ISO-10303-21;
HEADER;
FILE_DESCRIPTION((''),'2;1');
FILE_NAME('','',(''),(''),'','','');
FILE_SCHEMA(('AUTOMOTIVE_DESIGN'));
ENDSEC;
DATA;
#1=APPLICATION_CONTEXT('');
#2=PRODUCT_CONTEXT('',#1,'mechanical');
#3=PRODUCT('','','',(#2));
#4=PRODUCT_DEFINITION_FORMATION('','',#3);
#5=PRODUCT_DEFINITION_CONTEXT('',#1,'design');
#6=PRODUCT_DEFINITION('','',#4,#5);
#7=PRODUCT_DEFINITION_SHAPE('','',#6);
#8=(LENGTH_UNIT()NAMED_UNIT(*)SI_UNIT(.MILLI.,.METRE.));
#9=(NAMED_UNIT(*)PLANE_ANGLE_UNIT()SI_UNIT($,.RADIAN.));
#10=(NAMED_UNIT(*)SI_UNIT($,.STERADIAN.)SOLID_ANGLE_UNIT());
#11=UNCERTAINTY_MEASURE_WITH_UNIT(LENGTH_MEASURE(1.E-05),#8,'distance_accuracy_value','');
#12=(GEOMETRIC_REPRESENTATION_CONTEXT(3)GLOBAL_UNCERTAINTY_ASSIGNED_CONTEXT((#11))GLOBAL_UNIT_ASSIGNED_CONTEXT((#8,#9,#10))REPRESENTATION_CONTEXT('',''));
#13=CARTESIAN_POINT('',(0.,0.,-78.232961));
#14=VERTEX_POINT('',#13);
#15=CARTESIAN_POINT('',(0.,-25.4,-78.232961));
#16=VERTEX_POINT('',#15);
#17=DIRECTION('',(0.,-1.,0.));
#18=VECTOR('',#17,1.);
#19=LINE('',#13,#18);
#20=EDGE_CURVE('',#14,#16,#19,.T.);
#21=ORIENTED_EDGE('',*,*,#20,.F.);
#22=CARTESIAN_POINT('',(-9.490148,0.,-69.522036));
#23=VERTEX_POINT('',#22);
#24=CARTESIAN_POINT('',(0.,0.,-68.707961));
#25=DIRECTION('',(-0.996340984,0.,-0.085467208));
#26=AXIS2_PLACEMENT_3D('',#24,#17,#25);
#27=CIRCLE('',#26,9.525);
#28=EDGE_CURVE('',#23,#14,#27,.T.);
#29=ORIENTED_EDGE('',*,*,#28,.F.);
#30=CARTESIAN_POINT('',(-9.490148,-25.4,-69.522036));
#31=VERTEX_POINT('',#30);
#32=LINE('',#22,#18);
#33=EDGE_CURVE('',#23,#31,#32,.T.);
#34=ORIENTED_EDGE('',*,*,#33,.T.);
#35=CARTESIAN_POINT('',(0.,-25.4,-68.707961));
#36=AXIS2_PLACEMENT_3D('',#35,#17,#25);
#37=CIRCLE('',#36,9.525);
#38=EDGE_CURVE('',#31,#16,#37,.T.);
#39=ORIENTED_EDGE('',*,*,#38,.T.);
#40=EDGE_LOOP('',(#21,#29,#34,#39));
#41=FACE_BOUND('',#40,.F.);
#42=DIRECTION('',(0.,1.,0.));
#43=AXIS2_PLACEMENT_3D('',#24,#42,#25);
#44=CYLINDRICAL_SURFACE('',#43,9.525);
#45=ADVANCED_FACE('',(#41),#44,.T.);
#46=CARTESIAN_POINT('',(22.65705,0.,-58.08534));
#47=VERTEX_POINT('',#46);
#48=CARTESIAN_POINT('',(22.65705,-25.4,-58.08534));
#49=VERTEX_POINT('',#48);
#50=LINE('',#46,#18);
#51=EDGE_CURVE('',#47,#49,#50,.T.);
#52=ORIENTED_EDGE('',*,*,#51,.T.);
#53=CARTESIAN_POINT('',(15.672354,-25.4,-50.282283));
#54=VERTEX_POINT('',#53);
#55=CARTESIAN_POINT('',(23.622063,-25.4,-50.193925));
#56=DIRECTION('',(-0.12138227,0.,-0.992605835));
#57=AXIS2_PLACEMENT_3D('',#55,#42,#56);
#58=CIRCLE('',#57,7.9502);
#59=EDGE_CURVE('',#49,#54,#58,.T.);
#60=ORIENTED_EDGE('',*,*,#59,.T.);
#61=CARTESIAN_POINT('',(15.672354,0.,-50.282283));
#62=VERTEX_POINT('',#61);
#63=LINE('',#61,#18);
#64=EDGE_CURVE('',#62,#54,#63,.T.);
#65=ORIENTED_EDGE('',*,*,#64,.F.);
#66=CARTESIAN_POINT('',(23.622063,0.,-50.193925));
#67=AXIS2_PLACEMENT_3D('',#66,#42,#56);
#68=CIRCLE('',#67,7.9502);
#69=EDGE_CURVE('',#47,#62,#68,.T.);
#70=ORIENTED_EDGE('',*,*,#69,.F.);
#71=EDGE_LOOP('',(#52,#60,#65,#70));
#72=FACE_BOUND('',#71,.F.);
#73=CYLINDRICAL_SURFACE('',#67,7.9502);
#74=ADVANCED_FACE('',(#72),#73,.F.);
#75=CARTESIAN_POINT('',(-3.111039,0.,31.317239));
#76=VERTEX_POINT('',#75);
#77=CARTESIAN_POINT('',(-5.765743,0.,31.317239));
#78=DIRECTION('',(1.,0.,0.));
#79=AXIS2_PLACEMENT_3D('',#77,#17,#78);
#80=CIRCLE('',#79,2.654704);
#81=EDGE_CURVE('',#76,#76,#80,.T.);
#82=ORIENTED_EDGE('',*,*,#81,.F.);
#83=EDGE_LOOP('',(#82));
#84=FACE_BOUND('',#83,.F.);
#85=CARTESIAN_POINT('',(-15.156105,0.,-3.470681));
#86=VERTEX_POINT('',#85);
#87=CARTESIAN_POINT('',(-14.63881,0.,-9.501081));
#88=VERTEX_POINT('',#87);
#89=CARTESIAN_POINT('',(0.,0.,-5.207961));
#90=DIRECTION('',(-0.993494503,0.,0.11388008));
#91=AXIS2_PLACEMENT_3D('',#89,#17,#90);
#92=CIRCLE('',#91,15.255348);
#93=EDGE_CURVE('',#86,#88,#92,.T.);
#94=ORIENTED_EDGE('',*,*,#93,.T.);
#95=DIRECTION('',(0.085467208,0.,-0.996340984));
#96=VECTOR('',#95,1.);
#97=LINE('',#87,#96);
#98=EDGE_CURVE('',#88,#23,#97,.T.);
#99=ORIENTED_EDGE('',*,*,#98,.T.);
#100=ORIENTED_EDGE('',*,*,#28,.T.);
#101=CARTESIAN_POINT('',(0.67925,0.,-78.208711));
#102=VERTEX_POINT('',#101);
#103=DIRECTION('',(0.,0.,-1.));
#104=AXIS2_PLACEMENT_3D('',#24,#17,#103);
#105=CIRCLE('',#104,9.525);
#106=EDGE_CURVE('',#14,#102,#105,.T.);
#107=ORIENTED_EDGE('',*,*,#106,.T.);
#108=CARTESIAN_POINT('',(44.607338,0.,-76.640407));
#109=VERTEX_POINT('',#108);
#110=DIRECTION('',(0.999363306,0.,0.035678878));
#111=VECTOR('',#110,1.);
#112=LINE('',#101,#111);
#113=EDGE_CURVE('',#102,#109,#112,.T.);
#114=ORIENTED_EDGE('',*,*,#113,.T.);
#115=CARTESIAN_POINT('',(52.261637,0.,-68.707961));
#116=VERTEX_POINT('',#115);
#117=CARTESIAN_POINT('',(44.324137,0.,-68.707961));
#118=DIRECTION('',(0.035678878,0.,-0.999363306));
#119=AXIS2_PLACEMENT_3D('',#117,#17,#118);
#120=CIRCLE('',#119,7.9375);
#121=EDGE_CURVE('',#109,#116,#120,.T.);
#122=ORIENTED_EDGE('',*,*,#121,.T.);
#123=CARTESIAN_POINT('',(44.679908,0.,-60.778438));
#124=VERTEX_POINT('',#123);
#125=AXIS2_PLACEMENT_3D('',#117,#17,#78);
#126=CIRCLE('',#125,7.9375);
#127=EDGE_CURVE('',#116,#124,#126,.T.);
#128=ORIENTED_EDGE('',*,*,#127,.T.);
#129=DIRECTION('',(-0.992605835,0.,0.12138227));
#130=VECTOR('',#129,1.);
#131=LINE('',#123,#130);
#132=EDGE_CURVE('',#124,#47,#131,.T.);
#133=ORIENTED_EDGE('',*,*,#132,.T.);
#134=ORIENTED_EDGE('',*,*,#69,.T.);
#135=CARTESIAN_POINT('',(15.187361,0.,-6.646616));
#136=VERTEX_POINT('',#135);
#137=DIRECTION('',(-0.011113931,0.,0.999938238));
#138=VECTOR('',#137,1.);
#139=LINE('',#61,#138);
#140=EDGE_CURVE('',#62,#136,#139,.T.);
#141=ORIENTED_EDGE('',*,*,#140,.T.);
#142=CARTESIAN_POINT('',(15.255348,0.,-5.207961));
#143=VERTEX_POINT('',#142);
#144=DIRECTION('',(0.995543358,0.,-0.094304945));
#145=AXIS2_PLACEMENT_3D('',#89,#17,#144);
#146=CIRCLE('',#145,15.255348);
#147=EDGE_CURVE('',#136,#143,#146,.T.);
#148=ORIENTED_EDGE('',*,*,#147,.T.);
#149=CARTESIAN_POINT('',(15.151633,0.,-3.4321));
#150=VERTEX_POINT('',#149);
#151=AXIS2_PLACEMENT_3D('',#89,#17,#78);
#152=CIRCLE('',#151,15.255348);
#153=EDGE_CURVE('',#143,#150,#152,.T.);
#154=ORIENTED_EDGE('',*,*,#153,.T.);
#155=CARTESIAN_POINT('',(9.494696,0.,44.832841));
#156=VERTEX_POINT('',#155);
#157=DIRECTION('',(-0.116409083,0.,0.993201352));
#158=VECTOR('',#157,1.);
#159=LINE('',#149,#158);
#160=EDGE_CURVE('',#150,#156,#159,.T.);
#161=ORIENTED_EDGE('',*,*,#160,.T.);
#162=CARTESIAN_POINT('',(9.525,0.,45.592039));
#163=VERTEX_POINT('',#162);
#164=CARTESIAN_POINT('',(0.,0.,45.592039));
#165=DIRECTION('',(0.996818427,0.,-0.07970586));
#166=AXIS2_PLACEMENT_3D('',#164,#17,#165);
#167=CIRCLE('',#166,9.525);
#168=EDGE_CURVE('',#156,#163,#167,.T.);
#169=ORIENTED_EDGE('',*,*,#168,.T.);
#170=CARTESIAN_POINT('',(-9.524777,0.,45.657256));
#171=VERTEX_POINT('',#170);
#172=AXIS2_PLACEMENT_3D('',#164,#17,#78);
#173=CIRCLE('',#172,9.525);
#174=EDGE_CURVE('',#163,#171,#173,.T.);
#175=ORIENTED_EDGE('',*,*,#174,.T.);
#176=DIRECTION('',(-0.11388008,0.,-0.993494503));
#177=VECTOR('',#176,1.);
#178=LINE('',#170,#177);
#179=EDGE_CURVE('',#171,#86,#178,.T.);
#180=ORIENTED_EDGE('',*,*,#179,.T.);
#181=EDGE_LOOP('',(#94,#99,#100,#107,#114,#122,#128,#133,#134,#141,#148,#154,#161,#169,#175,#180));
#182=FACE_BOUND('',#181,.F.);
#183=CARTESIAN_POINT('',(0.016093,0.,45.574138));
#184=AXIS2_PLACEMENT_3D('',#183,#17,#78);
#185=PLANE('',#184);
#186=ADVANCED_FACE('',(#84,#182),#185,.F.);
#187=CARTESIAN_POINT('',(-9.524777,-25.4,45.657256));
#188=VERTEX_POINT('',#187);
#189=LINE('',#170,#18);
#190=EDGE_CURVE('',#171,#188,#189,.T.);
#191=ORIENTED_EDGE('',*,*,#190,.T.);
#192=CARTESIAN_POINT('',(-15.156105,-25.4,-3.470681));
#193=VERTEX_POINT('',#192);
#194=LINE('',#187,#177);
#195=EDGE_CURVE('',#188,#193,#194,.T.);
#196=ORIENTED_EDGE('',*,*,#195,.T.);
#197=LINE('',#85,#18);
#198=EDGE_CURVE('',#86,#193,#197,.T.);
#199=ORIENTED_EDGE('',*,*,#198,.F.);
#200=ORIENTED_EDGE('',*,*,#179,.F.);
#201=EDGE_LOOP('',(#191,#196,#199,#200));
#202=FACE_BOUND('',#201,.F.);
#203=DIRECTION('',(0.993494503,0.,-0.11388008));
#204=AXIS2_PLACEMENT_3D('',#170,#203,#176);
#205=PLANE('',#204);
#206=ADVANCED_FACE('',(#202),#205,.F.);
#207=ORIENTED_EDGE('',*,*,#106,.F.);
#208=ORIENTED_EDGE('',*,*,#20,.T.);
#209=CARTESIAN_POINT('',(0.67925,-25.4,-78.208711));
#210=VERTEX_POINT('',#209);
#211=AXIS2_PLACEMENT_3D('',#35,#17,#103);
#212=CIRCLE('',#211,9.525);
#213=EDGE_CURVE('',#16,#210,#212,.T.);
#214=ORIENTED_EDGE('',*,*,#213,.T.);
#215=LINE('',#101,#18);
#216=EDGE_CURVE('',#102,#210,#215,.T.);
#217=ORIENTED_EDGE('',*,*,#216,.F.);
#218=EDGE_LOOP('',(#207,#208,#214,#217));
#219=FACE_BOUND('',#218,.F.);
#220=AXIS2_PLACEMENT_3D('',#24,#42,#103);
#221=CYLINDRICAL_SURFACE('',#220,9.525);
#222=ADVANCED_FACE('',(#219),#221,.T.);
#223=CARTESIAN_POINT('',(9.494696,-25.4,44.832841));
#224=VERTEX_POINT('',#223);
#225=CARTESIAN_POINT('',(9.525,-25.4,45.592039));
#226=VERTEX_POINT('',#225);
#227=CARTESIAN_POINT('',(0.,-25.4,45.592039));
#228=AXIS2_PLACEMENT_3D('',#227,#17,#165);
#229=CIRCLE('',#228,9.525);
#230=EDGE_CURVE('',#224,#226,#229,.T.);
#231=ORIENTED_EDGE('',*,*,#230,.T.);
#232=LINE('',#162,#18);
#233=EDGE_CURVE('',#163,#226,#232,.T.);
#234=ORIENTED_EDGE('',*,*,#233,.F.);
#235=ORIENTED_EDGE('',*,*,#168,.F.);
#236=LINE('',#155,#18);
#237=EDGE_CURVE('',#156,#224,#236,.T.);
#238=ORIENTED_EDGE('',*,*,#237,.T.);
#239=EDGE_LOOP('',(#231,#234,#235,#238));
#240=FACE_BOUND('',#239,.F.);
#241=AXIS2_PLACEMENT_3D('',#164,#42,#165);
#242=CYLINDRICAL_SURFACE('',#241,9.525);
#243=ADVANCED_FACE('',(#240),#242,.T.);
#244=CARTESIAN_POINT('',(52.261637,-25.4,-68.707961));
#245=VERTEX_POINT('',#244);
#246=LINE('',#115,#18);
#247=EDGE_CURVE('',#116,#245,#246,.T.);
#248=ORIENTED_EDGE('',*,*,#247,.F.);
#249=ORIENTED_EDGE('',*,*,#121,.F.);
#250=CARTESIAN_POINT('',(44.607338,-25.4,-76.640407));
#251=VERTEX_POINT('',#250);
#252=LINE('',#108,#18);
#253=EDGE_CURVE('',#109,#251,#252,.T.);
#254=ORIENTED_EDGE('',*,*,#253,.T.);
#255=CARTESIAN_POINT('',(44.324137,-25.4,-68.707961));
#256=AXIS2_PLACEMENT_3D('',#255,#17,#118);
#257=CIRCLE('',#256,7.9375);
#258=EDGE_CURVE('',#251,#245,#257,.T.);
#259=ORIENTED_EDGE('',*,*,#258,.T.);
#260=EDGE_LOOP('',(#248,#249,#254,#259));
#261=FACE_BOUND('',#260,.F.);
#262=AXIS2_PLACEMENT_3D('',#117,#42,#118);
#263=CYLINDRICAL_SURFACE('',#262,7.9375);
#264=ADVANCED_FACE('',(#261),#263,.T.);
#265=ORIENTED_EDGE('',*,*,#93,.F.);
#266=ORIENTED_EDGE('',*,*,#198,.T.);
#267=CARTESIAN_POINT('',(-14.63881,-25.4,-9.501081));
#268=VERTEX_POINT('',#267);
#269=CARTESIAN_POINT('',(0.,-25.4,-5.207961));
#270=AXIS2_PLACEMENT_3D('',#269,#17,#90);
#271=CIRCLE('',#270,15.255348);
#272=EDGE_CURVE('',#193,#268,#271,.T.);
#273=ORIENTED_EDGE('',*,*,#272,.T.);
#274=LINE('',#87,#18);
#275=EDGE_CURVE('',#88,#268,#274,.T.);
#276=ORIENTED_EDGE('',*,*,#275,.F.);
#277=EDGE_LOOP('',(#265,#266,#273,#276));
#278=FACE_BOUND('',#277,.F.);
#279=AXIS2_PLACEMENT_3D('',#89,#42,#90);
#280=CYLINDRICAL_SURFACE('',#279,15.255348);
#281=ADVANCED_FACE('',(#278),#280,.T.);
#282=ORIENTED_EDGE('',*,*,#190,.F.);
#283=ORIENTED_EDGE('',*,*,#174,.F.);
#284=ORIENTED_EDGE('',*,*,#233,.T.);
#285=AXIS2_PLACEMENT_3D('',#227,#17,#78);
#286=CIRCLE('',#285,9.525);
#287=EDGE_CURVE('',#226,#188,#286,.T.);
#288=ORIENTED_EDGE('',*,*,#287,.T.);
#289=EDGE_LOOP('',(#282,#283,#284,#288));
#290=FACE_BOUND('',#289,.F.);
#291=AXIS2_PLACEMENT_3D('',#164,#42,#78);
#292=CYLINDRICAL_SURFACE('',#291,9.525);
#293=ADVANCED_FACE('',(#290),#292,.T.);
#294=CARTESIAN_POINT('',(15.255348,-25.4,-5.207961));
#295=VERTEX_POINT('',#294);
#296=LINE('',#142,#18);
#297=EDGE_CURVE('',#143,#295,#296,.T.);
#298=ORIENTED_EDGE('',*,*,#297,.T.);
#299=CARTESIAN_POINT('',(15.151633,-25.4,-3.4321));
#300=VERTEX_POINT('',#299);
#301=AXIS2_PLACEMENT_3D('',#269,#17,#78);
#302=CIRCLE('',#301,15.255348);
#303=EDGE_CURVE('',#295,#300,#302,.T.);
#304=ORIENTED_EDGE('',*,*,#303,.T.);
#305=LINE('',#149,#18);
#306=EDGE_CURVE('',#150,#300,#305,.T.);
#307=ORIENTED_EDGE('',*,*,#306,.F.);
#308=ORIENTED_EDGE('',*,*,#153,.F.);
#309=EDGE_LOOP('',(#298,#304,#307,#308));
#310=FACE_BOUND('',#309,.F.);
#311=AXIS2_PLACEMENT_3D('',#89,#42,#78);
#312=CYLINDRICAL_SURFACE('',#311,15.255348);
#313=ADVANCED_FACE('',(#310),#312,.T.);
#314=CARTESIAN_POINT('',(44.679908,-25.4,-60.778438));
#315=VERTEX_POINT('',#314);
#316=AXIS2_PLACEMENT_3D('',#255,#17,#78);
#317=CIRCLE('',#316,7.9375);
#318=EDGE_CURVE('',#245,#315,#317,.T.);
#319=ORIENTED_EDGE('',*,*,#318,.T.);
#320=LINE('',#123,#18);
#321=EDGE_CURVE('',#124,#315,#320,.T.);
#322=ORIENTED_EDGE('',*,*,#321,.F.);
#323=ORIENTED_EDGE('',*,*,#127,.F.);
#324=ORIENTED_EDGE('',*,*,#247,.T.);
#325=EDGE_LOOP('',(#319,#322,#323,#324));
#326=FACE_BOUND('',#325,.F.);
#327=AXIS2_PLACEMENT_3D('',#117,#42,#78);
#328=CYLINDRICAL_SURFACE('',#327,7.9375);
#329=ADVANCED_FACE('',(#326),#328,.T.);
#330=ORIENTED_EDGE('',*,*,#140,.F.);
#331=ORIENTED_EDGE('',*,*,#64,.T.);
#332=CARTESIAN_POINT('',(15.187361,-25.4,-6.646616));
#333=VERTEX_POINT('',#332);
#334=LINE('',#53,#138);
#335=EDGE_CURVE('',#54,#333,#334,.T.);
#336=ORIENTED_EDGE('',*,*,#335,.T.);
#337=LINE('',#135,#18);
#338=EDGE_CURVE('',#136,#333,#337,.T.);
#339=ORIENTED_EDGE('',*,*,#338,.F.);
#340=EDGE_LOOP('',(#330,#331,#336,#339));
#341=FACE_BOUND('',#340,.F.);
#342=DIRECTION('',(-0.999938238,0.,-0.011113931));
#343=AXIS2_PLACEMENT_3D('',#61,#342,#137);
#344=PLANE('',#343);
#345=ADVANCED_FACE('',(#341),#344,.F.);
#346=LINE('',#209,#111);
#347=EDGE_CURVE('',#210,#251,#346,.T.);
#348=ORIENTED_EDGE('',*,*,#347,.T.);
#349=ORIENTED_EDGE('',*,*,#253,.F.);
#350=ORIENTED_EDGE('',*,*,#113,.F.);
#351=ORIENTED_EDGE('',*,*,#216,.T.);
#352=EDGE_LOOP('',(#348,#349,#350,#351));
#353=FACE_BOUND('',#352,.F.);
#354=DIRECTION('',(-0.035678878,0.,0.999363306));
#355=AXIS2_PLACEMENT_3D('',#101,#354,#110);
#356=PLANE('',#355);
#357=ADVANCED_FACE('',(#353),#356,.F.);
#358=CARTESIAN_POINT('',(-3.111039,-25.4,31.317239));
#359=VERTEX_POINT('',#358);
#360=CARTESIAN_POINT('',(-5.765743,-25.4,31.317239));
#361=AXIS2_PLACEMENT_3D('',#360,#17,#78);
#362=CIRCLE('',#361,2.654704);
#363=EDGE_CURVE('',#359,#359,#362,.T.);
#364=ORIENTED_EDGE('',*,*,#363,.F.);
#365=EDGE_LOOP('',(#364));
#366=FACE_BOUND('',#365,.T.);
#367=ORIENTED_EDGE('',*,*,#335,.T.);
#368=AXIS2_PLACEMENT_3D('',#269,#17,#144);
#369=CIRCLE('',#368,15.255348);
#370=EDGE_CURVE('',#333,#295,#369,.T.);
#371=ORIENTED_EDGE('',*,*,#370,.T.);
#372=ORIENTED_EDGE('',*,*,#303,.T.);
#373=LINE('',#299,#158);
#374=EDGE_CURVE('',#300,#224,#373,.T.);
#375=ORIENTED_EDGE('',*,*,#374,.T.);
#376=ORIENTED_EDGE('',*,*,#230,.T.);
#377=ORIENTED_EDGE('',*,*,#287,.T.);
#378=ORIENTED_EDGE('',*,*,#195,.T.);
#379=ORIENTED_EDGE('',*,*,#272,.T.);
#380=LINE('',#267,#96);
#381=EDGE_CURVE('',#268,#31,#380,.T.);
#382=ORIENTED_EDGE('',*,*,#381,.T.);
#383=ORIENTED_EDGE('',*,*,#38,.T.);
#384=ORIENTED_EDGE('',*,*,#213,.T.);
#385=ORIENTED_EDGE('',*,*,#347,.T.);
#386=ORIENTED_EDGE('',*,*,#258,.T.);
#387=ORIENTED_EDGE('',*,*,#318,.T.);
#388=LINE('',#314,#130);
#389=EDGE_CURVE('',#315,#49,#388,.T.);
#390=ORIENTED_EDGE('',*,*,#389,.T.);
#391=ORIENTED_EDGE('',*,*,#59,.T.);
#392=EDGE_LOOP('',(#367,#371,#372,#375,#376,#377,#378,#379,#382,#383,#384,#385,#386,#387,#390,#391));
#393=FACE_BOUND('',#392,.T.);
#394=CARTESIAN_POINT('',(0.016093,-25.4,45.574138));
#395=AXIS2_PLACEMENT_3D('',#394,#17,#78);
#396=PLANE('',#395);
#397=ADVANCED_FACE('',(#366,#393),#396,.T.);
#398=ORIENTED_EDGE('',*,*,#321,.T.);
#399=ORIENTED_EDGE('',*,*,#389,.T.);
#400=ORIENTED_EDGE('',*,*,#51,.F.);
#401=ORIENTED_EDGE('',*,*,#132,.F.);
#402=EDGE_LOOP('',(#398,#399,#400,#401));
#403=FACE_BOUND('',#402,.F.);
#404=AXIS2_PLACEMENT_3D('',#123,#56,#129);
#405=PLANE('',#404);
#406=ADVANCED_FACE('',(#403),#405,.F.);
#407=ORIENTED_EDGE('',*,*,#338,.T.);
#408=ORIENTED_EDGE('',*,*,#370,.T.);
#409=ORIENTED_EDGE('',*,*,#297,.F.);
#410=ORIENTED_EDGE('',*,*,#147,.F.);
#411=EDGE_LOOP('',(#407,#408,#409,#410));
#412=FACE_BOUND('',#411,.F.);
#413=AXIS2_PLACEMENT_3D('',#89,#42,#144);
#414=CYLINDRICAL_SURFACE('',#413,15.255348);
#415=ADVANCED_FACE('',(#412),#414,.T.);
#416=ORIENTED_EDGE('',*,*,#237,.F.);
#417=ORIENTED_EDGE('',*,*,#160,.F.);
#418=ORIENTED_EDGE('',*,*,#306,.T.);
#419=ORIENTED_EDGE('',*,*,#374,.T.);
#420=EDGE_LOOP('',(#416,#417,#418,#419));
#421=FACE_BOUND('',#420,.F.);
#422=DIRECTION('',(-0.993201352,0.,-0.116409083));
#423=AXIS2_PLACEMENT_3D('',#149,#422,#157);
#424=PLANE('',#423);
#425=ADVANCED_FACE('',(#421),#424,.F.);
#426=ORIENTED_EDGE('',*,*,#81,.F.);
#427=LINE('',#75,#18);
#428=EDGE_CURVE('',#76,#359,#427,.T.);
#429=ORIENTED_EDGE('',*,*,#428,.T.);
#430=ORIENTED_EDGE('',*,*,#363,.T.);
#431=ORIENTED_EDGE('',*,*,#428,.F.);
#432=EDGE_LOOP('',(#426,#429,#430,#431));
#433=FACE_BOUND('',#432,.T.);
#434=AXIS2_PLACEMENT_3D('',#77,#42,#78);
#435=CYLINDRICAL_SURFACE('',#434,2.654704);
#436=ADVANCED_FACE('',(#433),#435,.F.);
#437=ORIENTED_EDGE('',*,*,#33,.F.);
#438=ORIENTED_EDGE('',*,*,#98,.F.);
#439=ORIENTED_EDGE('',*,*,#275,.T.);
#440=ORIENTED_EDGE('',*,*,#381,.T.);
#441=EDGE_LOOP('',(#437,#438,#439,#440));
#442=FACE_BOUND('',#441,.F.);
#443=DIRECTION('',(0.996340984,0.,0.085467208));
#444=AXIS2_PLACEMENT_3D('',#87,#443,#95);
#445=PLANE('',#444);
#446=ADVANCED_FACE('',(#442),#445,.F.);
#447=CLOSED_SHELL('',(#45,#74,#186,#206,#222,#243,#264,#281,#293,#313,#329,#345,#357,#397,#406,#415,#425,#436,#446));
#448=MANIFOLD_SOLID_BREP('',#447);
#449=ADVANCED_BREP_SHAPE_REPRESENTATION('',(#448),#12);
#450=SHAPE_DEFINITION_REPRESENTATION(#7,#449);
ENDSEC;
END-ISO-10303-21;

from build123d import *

# Parameters (mm, degrees)
F0_R     = 2.6547036895
F1_DEPTH = 25.4


with BuildPart() as f1:
    # F0 (on Front) → F1 (new body)
    with BuildSketch(Plane.XZ):
        with BuildLine():
            ThreePointArc((9.4946955149, 44.8328407543), (9.5174208633, 45.2121376195), (9.525, 45.5920390674))
            ThreePointArc((9.525, 45.5920390674), (0.0326085199, 55.1169832501), (-9.5247767316, 45.6572557251))
            ThreePointArc((-9.5247767316, 45.6572557251), (-0.4124817946, 36.0759745568), (9.4946955149, 44.8328407543))
        make_face()
        with BuildLine():
            ThreePointArc((9.4946955149, 44.8328407543), (-0.4124817946, 36.0759745568), (-9.5247767316, 45.6572557251))
            Line((-9.5247767316, 45.6572557251), (-15.1561046291, -3.4706806579))
            ThreePointArc((-15.1561046291, -3.4706806579), (-0.0194195769, 10.0473749588), (15.1516325074, -3.4320998338))
            Line((15.1516325074, -3.4320998338), (9.4946955149, 44.8328407543))
        make_face()
        with Locations((-5.765743088, 31.3172390674)):
            Circle(F0_R, mode=Mode.SUBTRACT)
        with BuildLine():
            Line((-14.6388103386, -9.5010812604), (-15.1561046291, -3.4706806579))
            ThreePointArc((-15.1561046291, -3.4706806579), (-15.1995286881, -6.511792954), (-14.6388103386, -9.5010812604))
        make_face()
        with BuildLine():
            ThreePointArc((15.1516325074, -3.4320998338), (-0.0194195769, 10.0473749588), (-15.1561046291, -3.4706806579))
            Line((-15.1561046291, -3.4706806579), (-14.6388103386, -9.5010812604))
            ThreePointArc((-14.6388103386, -9.5010812604), (1.4533479408, -20.3939225433), (15.1873606229, -6.6466157178))
            Line((15.1873606229, -6.6466157178), (15.1516325074, -3.4320998338))
        make_face()
        with BuildLine():
            ThreePointArc((15.2553482517, -5.2079609326), (15.2293972429, -4.3185173428), (15.1516325074, -3.4320998338))
            Line((15.1516325074, -3.4320998338), (15.1873606229, -6.6466157178))
            ThreePointArc((15.1873606229, -6.6466157178), (15.2383418653, -5.9280911133), (15.2553482517, -5.2079609326))
        make_face()
        with BuildLine():
            ThreePointArc((15.1873606229, -6.6466157178), (1.4533479408, -20.3939225433), (-14.6388103386, -9.5010812604))
            Line((-14.6388103386, -9.5010812604), (-9.4901478724, -69.5220360883))
            ThreePointArc((-9.4901478724, -69.5220360883), (-0.4074104288, -59.1916779533), (9.525, -68.7079609326))
            Line((9.525, -68.7079609326), (36.3866372705, -68.7079609326))
            ThreePointArc((36.3866372705, -68.7079609326), (38.8387031703, -62.9708955693), (44.6799081952, -60.7784380403))
            Line((44.6799081952, -60.7784380403), (22.6570500518, -58.0853403191))
            ThreePointArc((22.6570500518, -58.0853403191), (17.698382692, -55.496348174), (15.6723543922, -50.2822833833))
            Line((15.6723543922, -50.2822833833), (15.1873606229, -6.6466157178))
        make_face()
        with BuildLine():
            ThreePointArc((9.525, -68.7079609326), (-0.4074104288, -59.1916779533), (-9.4901478724, -69.5220360883))
            ThreePointArc((-9.4901478724, -69.5220360883), (-6.4409455494, -75.7250718359), (0, -78.2329609326))
            Line((0, -78.2329609326), (0.6792498782, -78.208710619))
            ThreePointArc((0.6792498782, -78.208710619), (6.971207933, -75.1985606703), (9.525, -68.7079609326))
        make_face()
        with BuildLine():
            Line((36.3866372705, -68.7079609326), (9.525, -68.7079609326))
            ThreePointArc((9.525, -68.7079609326), (6.971207933, -75.1985606703), (0.6792498782, -78.208710619))
            Line((0.6792498782, -78.208710619), (44.6073383654, -76.6404071751))
            ThreePointArc((44.6073383654, -76.6404071751), (38.8125133011, -74.4198701993), (36.3866372705, -68.7079609326))
        make_face()
        with BuildLine():
            Line((0.6792498782, -78.208710619), (0, -78.2329609326))
            ThreePointArc((0, -78.2329609326), (0.339841314, -78.2268964236), (0.6792498782, -78.208710619))
        make_face()
        with BuildLine():
            ThreePointArc((44.6799081952, -60.7784380403), (38.8387031703, -62.9708955693), (36.3866372705, -68.7079609326))
            ThreePointArc((36.3866372705, -68.7079609326), (38.8125133011, -74.4198701993), (44.6073383654, -76.6404071751))
            ThreePointArc((44.6073383654, -76.6404071751), (50.0360465371, -74.2195849019), (52.2616372705, -68.7079609326))
            ThreePointArc((52.2616372705, -68.7079609326), (50.0612026337, -63.2225268324), (44.6799081952, -60.7784380403))
        make_face()
    extrude(amount=F1_DEPTH)


solid = f1.part
